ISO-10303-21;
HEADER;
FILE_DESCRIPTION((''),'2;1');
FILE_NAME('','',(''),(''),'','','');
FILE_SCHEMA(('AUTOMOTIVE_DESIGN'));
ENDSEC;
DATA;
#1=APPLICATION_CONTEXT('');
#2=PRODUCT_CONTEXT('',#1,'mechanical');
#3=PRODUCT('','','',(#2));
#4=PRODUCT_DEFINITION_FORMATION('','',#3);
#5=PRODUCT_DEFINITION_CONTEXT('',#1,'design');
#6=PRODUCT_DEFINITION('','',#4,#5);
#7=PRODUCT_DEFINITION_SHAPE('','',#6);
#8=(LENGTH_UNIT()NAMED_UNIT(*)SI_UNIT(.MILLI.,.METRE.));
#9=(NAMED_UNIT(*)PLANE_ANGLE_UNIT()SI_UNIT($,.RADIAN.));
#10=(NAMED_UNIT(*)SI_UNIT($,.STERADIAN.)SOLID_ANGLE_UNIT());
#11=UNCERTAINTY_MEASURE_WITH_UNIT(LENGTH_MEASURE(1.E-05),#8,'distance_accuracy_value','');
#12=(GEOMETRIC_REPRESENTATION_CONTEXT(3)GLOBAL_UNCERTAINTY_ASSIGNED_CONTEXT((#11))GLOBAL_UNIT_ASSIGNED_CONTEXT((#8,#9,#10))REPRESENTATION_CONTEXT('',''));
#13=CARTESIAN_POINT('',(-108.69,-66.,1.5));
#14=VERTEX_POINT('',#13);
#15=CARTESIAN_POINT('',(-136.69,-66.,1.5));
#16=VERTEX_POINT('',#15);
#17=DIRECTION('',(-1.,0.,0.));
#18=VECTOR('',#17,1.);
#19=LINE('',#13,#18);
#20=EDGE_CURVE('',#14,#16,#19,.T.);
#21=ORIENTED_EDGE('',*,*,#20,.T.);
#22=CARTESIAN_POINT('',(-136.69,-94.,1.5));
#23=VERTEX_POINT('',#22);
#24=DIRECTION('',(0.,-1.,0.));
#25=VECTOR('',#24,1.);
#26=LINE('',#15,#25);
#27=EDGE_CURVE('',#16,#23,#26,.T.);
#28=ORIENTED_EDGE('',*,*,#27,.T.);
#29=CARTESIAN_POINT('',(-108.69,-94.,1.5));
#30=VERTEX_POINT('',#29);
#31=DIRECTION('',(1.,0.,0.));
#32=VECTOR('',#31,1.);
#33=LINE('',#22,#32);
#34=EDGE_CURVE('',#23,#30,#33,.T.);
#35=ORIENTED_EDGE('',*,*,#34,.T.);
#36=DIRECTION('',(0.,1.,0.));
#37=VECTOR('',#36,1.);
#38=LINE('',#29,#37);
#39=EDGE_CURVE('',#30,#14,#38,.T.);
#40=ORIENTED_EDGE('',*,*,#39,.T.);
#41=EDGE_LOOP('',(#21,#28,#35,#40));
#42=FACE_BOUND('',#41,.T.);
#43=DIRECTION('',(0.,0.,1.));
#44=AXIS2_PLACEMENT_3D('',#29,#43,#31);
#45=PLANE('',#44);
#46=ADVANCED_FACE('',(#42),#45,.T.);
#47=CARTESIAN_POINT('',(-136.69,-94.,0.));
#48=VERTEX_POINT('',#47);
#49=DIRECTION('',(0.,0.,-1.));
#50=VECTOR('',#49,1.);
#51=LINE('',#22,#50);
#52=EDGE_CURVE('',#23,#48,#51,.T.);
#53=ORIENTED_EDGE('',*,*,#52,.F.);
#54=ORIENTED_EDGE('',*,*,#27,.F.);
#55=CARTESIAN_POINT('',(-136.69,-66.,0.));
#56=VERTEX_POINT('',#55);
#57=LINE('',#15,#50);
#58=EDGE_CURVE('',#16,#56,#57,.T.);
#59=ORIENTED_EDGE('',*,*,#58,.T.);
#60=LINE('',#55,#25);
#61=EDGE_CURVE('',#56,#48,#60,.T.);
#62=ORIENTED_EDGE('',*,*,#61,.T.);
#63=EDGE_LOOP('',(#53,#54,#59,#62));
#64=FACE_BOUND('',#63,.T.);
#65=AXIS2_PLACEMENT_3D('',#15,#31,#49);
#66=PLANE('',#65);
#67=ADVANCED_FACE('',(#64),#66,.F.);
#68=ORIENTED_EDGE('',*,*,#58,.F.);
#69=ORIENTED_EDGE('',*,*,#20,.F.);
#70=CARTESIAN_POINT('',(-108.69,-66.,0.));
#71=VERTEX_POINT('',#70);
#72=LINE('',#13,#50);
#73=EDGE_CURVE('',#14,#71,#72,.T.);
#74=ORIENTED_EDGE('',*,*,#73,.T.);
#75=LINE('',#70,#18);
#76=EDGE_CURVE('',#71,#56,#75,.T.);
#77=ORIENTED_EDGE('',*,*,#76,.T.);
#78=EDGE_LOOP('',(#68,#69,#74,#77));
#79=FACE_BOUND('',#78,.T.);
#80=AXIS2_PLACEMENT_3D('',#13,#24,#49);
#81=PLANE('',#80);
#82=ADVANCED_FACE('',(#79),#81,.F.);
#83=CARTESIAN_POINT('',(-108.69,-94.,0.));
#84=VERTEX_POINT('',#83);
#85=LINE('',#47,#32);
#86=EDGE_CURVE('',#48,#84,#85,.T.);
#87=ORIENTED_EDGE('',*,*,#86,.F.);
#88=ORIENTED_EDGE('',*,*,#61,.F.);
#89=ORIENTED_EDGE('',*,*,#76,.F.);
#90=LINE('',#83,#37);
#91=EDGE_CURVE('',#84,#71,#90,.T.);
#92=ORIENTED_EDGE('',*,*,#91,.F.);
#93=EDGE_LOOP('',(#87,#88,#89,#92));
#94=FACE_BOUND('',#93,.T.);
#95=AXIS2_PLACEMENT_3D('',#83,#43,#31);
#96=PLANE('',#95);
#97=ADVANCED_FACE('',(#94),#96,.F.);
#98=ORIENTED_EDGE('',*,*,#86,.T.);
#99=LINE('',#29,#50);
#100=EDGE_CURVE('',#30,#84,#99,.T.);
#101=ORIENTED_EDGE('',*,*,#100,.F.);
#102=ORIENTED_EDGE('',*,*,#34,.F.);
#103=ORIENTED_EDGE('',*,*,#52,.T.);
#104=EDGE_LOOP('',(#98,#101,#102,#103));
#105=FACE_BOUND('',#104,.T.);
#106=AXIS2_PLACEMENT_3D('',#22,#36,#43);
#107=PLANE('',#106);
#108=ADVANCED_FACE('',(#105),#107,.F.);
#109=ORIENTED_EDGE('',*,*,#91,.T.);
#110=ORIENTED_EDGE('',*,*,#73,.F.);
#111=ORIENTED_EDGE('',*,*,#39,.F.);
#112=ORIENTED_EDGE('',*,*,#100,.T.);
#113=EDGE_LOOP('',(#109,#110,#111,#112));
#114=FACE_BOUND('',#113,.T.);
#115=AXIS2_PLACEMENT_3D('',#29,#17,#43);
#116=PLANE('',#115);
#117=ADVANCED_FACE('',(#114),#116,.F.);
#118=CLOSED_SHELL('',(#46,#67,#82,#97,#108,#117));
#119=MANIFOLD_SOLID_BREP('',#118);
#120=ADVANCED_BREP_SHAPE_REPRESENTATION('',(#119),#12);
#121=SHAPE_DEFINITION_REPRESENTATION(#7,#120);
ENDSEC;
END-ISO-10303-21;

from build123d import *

# Parameters (mm, degrees)
SKETCH1_W      = 28
SKETCH1_H      = 28
EXTRUDE1_DEPTH = 1.5


with BuildPart() as part:
    # Sketch1 → Extrude1 (new body)
    with BuildSketch(Plane.XY):
        with Locations((-122.69, -80)):
            Rectangle(SKETCH1_W, SKETCH1_H)
    extrude(amount=EXTRUDE1_DEPTH)


solid = part.part
